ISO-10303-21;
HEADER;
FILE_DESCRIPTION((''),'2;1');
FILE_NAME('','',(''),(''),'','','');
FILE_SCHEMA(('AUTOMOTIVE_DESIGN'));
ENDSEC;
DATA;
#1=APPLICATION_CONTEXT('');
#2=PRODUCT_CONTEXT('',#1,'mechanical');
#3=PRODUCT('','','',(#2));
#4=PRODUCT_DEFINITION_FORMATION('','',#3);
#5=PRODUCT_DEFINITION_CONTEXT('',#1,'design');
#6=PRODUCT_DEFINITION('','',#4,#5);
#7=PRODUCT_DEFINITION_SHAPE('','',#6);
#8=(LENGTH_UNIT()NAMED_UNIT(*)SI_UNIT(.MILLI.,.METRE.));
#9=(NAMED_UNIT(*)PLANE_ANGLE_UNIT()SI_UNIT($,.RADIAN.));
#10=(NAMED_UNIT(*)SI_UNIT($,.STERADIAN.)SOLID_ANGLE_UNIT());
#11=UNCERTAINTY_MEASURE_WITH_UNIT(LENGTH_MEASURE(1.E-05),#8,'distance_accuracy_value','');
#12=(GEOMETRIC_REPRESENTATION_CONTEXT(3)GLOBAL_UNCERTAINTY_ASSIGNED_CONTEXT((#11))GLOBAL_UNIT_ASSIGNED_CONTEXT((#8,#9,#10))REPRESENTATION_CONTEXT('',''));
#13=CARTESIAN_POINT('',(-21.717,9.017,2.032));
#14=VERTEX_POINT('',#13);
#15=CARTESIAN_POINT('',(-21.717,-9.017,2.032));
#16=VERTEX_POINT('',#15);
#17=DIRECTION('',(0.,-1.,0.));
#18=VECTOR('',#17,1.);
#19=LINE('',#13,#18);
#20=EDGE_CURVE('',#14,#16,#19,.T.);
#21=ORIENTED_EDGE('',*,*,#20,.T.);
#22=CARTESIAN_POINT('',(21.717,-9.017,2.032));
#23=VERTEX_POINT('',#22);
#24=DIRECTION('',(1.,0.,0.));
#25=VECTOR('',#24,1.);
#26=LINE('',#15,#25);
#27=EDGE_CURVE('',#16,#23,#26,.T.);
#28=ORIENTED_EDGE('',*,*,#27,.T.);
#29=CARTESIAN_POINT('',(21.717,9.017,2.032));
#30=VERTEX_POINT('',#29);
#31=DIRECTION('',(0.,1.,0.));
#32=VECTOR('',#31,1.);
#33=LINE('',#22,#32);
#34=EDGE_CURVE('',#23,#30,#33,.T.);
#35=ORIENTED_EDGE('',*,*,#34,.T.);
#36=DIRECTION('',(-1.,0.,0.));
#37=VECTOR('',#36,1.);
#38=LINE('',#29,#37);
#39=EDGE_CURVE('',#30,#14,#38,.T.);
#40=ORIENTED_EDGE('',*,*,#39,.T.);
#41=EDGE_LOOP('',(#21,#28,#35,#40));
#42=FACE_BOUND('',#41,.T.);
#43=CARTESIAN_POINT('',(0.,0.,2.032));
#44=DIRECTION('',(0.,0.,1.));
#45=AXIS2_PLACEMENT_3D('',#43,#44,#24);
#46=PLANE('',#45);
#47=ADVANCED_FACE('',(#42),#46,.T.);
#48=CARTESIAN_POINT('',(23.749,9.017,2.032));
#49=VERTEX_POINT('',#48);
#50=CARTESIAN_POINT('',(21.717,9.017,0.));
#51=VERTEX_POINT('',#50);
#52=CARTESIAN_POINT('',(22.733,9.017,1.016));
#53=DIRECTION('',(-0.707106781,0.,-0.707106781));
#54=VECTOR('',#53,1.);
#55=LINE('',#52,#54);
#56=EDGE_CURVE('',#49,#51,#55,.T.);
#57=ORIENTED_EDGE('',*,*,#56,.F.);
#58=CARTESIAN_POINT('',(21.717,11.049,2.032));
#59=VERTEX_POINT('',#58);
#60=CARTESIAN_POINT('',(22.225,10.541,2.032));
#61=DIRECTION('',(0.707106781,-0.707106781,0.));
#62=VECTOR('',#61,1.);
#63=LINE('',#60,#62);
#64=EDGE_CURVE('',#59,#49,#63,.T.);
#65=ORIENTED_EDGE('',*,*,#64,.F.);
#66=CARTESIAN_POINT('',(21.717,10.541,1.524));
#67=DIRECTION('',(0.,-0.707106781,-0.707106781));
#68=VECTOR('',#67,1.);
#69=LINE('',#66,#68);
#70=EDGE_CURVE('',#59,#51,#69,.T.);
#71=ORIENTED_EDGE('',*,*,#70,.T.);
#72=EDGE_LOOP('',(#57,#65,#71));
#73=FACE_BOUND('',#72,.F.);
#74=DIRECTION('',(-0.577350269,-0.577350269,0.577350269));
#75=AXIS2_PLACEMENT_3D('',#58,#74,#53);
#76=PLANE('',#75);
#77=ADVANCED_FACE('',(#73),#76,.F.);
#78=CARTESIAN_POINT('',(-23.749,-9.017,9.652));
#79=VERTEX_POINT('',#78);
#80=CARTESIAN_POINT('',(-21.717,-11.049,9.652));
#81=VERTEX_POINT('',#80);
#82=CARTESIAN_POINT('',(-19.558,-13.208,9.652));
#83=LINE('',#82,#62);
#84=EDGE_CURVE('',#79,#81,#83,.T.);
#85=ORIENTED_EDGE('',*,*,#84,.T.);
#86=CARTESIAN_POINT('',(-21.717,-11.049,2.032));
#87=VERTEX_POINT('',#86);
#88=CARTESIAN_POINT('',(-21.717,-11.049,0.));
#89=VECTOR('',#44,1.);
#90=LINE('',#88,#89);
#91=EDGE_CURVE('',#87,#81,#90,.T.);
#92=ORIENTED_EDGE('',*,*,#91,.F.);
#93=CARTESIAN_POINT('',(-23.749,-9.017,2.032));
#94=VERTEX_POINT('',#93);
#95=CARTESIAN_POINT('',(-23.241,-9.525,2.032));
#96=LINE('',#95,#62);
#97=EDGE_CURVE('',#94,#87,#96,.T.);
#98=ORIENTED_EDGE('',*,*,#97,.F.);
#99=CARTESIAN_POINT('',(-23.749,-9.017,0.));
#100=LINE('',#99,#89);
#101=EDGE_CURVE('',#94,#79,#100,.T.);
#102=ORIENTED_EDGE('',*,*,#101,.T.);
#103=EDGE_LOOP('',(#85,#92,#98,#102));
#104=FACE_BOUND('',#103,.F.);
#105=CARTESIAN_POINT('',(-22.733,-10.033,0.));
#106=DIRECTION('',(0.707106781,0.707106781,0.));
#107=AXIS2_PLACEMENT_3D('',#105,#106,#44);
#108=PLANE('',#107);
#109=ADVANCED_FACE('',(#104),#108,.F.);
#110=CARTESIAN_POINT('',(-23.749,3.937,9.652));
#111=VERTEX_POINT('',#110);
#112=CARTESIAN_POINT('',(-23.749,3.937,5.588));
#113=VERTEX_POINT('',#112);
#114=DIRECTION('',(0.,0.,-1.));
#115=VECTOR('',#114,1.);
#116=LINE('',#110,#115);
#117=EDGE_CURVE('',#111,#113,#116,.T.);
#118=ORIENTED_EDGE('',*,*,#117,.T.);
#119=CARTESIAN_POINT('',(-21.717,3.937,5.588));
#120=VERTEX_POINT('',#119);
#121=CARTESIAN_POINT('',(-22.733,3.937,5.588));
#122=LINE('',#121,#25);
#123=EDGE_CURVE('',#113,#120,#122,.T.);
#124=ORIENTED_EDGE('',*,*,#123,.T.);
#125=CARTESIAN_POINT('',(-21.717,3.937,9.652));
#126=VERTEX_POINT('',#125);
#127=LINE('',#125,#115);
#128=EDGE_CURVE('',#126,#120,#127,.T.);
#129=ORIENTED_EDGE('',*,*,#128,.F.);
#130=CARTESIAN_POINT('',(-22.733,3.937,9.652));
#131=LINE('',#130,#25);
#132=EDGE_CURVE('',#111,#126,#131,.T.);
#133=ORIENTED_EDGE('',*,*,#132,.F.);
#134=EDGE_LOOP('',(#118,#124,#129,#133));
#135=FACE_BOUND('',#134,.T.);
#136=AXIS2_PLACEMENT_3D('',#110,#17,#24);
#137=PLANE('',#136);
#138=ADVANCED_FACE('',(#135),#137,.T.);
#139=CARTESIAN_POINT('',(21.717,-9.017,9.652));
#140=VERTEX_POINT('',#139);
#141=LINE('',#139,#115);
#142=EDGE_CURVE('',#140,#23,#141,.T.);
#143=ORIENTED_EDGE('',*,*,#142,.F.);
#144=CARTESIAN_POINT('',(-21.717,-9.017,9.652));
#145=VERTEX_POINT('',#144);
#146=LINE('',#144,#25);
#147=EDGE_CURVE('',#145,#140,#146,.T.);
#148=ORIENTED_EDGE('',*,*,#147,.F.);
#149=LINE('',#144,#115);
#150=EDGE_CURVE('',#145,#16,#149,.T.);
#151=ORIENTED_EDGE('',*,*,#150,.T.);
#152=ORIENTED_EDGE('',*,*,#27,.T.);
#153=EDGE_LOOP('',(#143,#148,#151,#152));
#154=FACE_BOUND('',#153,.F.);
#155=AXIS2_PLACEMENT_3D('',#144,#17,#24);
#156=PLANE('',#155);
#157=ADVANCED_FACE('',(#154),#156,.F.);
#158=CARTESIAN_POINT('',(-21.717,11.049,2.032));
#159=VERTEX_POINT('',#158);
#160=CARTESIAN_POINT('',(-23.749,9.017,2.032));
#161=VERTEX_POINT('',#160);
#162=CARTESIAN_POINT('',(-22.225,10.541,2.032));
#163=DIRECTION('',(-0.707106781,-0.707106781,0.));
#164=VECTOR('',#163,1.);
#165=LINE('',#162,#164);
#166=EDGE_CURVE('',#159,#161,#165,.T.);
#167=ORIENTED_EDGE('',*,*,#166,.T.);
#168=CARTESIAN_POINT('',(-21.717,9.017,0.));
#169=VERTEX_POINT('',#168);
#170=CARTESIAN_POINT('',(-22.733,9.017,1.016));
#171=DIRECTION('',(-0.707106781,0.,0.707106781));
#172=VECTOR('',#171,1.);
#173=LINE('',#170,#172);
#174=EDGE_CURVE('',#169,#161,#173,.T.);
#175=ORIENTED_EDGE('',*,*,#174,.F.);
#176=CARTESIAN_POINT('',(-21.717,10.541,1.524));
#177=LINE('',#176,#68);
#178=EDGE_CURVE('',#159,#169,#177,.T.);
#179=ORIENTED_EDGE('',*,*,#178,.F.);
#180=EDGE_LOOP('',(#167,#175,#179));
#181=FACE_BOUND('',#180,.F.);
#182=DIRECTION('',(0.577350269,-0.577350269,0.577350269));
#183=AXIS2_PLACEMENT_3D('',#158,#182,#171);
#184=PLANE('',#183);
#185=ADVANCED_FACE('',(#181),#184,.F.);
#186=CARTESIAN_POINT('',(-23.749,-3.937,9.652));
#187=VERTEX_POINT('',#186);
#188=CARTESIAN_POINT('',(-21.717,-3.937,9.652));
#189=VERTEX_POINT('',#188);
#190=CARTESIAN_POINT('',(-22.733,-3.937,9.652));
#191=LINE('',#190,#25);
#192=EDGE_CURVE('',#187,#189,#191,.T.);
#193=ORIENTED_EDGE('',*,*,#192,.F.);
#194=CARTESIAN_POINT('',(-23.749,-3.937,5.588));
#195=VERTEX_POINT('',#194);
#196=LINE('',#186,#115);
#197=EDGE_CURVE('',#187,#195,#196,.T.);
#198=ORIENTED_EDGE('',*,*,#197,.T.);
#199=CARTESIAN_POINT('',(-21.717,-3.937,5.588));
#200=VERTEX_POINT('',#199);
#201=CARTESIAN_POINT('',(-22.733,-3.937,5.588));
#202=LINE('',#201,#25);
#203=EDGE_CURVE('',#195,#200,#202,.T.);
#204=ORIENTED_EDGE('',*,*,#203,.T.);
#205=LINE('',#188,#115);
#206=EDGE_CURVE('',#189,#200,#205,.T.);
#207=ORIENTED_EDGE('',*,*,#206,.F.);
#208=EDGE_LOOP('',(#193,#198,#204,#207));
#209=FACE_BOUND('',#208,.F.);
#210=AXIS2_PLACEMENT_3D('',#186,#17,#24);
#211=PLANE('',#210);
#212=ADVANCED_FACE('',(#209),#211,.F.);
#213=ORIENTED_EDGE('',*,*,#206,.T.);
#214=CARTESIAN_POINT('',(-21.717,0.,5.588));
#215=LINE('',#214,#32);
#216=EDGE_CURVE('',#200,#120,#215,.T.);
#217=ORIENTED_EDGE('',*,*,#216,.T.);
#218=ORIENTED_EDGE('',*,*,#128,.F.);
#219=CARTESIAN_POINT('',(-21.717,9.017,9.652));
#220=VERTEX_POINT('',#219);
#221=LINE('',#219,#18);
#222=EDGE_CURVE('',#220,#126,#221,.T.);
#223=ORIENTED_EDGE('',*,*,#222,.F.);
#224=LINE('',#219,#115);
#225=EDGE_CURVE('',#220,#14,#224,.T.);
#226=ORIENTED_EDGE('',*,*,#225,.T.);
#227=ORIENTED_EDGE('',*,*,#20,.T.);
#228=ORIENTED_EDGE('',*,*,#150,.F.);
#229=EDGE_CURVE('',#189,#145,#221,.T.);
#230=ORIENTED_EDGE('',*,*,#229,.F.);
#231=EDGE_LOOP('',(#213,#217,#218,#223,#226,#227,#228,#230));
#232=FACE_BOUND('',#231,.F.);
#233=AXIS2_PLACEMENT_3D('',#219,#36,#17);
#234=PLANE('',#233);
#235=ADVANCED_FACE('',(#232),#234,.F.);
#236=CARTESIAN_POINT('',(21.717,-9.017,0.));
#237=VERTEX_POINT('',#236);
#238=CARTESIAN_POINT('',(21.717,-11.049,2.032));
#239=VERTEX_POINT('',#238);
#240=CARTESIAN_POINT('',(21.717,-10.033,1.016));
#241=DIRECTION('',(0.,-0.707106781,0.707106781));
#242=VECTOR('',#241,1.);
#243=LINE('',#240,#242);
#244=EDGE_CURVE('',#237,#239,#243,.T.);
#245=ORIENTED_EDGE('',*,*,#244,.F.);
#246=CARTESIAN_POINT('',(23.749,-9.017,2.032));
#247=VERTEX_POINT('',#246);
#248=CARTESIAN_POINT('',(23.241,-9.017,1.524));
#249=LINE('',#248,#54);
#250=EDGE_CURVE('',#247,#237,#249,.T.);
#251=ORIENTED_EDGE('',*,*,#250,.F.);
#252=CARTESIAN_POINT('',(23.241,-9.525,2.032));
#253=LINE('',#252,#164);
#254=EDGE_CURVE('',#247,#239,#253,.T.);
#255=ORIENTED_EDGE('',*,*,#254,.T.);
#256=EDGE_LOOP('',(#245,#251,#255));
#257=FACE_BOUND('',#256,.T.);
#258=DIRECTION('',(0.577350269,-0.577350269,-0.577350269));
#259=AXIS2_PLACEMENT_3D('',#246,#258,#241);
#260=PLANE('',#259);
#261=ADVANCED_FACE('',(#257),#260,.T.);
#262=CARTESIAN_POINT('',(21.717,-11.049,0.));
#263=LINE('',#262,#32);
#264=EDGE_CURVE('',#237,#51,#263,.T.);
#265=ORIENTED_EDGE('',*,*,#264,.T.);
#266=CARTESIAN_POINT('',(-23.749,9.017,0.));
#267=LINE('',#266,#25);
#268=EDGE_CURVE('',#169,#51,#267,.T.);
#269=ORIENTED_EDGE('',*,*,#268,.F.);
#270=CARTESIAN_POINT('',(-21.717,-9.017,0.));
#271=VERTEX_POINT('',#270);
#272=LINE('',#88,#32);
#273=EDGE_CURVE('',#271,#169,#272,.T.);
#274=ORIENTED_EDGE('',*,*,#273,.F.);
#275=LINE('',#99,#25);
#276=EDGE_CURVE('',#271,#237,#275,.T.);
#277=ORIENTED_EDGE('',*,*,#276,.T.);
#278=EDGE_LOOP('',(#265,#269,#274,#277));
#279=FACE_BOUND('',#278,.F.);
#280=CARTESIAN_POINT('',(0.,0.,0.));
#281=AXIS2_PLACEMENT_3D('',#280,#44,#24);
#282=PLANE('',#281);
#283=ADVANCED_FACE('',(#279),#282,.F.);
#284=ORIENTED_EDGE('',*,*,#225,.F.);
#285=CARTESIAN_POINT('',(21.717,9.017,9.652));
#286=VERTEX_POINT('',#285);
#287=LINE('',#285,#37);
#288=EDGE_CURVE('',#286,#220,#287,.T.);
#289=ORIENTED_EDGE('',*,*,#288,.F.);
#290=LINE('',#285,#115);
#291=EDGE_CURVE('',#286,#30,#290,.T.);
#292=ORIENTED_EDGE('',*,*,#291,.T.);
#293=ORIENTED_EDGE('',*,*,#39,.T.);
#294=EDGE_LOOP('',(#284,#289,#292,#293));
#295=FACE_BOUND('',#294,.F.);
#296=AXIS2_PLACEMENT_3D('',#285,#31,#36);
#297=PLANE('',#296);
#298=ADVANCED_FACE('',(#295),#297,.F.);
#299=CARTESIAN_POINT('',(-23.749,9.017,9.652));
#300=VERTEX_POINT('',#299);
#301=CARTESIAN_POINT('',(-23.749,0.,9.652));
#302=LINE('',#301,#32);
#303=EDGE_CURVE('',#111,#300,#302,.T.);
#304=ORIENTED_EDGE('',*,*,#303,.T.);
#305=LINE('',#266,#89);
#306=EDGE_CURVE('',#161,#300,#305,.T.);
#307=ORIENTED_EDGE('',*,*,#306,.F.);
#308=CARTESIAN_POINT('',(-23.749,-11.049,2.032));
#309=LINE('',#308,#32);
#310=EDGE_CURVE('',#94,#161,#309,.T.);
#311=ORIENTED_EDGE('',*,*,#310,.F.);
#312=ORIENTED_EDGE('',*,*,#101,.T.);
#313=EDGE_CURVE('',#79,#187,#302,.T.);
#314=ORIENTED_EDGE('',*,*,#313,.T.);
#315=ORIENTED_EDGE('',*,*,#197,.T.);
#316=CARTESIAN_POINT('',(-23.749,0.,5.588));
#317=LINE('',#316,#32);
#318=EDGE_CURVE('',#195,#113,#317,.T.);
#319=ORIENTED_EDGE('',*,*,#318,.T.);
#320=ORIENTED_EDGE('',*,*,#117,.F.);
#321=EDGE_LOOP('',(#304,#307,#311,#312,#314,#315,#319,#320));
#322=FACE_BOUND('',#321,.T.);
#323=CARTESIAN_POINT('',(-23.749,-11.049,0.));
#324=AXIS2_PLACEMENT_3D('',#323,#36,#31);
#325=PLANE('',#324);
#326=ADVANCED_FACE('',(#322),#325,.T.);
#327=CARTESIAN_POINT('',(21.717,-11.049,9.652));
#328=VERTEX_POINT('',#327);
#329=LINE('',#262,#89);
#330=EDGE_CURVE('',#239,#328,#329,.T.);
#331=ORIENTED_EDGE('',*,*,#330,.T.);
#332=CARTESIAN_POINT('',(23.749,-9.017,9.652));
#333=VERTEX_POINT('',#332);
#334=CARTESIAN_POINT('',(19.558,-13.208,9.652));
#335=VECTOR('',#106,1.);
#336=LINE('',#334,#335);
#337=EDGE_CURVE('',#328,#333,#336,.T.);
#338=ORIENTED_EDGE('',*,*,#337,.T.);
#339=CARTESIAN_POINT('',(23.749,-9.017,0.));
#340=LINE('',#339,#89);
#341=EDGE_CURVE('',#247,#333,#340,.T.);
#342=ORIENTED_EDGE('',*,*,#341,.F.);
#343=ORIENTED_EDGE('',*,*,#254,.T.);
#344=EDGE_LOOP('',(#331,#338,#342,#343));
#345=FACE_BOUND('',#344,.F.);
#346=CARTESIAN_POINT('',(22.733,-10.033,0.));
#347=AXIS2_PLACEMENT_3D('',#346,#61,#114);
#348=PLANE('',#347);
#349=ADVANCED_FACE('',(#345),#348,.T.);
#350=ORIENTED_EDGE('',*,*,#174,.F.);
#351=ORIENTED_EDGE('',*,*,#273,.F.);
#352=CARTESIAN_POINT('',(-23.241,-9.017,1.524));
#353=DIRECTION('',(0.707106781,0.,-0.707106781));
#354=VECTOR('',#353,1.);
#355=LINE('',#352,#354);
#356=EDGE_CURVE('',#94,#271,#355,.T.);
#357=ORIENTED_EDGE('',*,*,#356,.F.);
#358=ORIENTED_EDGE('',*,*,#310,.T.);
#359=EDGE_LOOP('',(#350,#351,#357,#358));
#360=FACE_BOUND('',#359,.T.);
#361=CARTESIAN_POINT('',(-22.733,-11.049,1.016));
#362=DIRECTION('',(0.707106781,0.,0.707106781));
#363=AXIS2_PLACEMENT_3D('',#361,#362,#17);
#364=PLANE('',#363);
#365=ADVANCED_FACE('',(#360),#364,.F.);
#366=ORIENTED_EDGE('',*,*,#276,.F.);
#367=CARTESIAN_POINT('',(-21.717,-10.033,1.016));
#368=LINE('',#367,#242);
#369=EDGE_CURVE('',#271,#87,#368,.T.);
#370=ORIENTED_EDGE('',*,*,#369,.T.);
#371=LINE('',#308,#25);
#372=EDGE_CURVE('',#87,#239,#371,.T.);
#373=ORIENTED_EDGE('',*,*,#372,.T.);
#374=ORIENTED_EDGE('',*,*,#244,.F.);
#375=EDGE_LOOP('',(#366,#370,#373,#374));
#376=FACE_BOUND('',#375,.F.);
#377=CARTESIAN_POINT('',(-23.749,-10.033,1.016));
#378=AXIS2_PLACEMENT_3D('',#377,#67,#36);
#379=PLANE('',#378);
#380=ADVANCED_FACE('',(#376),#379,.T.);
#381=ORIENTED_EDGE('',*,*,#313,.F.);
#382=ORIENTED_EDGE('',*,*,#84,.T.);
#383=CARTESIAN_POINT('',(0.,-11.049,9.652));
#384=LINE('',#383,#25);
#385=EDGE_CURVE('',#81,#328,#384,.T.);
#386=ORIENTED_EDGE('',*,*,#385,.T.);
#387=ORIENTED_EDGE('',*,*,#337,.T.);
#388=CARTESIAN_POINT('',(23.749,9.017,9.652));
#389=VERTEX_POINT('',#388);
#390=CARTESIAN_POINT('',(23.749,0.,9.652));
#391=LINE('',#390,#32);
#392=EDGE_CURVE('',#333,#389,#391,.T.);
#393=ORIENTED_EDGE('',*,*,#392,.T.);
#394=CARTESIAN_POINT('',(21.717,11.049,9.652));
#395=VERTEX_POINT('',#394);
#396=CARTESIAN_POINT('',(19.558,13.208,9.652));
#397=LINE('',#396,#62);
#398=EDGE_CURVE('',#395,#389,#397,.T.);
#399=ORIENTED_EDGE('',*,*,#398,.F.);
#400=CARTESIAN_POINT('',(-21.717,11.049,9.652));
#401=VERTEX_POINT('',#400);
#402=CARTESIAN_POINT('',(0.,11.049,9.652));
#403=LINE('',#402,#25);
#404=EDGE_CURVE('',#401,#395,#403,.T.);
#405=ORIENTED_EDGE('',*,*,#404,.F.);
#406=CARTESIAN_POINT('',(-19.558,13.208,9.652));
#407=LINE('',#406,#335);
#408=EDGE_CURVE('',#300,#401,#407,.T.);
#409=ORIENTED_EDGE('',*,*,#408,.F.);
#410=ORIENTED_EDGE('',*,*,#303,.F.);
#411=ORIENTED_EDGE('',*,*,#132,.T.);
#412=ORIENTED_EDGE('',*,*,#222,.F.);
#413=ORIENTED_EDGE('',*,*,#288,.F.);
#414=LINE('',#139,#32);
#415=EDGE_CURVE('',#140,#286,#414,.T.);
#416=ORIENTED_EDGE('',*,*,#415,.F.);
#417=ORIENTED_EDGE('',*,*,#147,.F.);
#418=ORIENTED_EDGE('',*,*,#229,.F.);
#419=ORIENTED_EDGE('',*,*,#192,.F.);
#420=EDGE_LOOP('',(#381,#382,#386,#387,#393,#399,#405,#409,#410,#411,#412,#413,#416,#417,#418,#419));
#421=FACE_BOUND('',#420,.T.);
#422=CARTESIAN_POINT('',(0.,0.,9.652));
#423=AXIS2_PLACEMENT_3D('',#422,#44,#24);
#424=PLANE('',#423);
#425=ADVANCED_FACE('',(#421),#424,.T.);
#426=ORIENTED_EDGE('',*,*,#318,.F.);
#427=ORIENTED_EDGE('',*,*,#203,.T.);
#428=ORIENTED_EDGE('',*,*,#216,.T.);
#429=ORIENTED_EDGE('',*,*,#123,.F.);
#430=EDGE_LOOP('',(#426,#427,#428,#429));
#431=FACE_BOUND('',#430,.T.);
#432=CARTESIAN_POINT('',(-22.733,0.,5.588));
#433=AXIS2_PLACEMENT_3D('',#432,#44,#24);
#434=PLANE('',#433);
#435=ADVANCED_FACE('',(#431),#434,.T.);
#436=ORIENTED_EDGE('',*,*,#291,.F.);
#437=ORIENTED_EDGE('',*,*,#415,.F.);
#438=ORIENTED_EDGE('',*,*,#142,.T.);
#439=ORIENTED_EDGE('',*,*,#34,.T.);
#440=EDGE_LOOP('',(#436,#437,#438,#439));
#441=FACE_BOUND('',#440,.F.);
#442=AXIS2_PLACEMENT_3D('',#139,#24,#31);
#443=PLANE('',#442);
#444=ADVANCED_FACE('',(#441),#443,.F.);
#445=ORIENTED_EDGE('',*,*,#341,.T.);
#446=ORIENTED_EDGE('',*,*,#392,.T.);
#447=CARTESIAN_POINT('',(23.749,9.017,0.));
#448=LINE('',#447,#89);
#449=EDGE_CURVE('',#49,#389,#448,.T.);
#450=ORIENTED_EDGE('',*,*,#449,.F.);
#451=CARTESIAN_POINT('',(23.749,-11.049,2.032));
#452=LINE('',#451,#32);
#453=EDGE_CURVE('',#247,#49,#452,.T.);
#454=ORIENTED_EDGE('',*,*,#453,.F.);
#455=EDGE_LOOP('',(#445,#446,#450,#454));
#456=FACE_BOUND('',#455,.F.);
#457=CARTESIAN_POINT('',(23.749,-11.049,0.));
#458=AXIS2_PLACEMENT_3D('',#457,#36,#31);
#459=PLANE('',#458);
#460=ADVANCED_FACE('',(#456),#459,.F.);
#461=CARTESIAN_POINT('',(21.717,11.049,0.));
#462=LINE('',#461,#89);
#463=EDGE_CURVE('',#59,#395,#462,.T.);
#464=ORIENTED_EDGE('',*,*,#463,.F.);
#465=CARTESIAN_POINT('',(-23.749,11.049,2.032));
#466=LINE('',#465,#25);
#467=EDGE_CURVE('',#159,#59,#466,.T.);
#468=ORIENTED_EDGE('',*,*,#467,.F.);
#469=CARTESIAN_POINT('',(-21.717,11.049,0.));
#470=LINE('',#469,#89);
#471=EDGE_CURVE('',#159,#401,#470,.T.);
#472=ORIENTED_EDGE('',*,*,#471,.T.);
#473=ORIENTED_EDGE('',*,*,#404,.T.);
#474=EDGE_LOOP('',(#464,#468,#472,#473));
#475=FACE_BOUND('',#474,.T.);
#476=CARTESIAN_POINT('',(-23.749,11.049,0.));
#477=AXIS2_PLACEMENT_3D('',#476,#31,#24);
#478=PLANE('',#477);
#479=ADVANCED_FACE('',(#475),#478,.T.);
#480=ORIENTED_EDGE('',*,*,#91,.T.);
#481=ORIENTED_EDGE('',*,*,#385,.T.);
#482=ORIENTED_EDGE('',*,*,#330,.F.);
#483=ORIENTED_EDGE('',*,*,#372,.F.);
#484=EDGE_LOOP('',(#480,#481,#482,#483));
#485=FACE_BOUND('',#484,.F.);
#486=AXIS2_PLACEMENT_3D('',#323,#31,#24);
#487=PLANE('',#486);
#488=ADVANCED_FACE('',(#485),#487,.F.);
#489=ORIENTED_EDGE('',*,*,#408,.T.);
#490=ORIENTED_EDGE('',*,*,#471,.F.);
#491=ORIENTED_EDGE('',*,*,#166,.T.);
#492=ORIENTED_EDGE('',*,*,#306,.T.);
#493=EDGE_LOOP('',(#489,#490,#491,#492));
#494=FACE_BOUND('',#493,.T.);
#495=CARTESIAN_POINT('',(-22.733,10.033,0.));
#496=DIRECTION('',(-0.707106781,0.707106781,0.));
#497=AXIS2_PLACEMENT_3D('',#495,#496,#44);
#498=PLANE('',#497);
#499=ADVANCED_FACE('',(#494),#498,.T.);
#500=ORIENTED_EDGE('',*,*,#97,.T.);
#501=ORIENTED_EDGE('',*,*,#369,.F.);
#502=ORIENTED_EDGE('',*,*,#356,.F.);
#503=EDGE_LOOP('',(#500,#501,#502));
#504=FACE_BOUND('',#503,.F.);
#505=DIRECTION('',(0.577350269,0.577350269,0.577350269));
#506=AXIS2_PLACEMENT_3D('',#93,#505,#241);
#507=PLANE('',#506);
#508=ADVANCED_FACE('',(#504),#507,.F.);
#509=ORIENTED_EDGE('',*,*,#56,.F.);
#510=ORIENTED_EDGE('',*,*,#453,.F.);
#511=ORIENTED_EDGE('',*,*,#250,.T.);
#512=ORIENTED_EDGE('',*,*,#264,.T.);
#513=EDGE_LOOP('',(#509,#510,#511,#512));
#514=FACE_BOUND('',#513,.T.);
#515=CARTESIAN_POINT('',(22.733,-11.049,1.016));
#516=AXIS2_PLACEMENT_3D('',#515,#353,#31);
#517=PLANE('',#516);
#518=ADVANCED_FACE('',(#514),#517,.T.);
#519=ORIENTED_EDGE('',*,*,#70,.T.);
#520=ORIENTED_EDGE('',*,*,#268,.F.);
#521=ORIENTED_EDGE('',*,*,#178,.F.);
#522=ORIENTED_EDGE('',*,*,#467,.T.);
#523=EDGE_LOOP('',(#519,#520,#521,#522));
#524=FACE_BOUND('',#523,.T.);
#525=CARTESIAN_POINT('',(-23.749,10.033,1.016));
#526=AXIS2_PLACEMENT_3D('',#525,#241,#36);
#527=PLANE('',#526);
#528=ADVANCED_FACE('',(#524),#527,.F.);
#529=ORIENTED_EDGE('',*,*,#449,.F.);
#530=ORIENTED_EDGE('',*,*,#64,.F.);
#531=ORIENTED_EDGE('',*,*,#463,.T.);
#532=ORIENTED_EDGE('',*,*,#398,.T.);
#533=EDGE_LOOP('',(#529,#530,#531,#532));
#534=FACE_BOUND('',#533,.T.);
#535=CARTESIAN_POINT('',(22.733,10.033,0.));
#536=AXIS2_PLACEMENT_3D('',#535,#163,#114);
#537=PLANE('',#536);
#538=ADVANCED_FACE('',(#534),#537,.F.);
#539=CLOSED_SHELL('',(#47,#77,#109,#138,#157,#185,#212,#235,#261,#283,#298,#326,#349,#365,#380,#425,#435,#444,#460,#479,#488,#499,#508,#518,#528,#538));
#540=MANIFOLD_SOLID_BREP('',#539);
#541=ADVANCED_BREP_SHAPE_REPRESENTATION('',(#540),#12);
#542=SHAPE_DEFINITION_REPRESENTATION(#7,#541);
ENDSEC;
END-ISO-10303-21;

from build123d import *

# Parameters (mm, degrees)
F0_W     = 47.498
F0_H     = 22.098
F1_DEPTH = 9.652
F3_DEPTH = 7.62
F4_SIZE  = 2.032
F5_W     = 2.032
F5_H     = 7.874
F6_DEPTH = 4.064


with BuildPart() as f1:
    # F0 (on Top) → F1 (new body)
    with BuildSketch(Plane.XY):
        Rectangle(F0_W, F0_H)
    extrude(amount=F1_DEPTH)

    # F2 (on face) → F3 (cut)
    with BuildSketch(Plane.XY.offset(9.652)):
        Polygon((21.717, 9.017), (-21.717, 9.017), (-21.717, 4.28625), (-21.717, -4.28625), (-21.717, -9.017), (21.717, -9.017), align=None)
    extrude(amount=-F3_DEPTH, mode=Mode.SUBTRACT)

    # F4
    f4_edges = [f1.edges().sort_by_distance(p)[0] for p in [
        (0, -11.049, 0),
        (23.749, 0, 0),
        (23.749, -11.049, 4.826),
        (23.749, 11.049, 4.826),
        (-23.749, 0, 0),
        (0, 11.049, 0),
        (-23.749, -11.049, 4.826),
        (-23.749, 11.049, 4.826),
    ]]
    chamfer(f4_edges, length=F4_SIZE)

    # F5 (on face) → F6 (cut)
    with BuildSketch(Plane.XY.offset(9.652)):
        with Locations((-22.733, 0)):
            Rectangle(F5_W, F5_H)
    extrude(amount=-F6_DEPTH, mode=Mode.SUBTRACT)


solid = f1.part
